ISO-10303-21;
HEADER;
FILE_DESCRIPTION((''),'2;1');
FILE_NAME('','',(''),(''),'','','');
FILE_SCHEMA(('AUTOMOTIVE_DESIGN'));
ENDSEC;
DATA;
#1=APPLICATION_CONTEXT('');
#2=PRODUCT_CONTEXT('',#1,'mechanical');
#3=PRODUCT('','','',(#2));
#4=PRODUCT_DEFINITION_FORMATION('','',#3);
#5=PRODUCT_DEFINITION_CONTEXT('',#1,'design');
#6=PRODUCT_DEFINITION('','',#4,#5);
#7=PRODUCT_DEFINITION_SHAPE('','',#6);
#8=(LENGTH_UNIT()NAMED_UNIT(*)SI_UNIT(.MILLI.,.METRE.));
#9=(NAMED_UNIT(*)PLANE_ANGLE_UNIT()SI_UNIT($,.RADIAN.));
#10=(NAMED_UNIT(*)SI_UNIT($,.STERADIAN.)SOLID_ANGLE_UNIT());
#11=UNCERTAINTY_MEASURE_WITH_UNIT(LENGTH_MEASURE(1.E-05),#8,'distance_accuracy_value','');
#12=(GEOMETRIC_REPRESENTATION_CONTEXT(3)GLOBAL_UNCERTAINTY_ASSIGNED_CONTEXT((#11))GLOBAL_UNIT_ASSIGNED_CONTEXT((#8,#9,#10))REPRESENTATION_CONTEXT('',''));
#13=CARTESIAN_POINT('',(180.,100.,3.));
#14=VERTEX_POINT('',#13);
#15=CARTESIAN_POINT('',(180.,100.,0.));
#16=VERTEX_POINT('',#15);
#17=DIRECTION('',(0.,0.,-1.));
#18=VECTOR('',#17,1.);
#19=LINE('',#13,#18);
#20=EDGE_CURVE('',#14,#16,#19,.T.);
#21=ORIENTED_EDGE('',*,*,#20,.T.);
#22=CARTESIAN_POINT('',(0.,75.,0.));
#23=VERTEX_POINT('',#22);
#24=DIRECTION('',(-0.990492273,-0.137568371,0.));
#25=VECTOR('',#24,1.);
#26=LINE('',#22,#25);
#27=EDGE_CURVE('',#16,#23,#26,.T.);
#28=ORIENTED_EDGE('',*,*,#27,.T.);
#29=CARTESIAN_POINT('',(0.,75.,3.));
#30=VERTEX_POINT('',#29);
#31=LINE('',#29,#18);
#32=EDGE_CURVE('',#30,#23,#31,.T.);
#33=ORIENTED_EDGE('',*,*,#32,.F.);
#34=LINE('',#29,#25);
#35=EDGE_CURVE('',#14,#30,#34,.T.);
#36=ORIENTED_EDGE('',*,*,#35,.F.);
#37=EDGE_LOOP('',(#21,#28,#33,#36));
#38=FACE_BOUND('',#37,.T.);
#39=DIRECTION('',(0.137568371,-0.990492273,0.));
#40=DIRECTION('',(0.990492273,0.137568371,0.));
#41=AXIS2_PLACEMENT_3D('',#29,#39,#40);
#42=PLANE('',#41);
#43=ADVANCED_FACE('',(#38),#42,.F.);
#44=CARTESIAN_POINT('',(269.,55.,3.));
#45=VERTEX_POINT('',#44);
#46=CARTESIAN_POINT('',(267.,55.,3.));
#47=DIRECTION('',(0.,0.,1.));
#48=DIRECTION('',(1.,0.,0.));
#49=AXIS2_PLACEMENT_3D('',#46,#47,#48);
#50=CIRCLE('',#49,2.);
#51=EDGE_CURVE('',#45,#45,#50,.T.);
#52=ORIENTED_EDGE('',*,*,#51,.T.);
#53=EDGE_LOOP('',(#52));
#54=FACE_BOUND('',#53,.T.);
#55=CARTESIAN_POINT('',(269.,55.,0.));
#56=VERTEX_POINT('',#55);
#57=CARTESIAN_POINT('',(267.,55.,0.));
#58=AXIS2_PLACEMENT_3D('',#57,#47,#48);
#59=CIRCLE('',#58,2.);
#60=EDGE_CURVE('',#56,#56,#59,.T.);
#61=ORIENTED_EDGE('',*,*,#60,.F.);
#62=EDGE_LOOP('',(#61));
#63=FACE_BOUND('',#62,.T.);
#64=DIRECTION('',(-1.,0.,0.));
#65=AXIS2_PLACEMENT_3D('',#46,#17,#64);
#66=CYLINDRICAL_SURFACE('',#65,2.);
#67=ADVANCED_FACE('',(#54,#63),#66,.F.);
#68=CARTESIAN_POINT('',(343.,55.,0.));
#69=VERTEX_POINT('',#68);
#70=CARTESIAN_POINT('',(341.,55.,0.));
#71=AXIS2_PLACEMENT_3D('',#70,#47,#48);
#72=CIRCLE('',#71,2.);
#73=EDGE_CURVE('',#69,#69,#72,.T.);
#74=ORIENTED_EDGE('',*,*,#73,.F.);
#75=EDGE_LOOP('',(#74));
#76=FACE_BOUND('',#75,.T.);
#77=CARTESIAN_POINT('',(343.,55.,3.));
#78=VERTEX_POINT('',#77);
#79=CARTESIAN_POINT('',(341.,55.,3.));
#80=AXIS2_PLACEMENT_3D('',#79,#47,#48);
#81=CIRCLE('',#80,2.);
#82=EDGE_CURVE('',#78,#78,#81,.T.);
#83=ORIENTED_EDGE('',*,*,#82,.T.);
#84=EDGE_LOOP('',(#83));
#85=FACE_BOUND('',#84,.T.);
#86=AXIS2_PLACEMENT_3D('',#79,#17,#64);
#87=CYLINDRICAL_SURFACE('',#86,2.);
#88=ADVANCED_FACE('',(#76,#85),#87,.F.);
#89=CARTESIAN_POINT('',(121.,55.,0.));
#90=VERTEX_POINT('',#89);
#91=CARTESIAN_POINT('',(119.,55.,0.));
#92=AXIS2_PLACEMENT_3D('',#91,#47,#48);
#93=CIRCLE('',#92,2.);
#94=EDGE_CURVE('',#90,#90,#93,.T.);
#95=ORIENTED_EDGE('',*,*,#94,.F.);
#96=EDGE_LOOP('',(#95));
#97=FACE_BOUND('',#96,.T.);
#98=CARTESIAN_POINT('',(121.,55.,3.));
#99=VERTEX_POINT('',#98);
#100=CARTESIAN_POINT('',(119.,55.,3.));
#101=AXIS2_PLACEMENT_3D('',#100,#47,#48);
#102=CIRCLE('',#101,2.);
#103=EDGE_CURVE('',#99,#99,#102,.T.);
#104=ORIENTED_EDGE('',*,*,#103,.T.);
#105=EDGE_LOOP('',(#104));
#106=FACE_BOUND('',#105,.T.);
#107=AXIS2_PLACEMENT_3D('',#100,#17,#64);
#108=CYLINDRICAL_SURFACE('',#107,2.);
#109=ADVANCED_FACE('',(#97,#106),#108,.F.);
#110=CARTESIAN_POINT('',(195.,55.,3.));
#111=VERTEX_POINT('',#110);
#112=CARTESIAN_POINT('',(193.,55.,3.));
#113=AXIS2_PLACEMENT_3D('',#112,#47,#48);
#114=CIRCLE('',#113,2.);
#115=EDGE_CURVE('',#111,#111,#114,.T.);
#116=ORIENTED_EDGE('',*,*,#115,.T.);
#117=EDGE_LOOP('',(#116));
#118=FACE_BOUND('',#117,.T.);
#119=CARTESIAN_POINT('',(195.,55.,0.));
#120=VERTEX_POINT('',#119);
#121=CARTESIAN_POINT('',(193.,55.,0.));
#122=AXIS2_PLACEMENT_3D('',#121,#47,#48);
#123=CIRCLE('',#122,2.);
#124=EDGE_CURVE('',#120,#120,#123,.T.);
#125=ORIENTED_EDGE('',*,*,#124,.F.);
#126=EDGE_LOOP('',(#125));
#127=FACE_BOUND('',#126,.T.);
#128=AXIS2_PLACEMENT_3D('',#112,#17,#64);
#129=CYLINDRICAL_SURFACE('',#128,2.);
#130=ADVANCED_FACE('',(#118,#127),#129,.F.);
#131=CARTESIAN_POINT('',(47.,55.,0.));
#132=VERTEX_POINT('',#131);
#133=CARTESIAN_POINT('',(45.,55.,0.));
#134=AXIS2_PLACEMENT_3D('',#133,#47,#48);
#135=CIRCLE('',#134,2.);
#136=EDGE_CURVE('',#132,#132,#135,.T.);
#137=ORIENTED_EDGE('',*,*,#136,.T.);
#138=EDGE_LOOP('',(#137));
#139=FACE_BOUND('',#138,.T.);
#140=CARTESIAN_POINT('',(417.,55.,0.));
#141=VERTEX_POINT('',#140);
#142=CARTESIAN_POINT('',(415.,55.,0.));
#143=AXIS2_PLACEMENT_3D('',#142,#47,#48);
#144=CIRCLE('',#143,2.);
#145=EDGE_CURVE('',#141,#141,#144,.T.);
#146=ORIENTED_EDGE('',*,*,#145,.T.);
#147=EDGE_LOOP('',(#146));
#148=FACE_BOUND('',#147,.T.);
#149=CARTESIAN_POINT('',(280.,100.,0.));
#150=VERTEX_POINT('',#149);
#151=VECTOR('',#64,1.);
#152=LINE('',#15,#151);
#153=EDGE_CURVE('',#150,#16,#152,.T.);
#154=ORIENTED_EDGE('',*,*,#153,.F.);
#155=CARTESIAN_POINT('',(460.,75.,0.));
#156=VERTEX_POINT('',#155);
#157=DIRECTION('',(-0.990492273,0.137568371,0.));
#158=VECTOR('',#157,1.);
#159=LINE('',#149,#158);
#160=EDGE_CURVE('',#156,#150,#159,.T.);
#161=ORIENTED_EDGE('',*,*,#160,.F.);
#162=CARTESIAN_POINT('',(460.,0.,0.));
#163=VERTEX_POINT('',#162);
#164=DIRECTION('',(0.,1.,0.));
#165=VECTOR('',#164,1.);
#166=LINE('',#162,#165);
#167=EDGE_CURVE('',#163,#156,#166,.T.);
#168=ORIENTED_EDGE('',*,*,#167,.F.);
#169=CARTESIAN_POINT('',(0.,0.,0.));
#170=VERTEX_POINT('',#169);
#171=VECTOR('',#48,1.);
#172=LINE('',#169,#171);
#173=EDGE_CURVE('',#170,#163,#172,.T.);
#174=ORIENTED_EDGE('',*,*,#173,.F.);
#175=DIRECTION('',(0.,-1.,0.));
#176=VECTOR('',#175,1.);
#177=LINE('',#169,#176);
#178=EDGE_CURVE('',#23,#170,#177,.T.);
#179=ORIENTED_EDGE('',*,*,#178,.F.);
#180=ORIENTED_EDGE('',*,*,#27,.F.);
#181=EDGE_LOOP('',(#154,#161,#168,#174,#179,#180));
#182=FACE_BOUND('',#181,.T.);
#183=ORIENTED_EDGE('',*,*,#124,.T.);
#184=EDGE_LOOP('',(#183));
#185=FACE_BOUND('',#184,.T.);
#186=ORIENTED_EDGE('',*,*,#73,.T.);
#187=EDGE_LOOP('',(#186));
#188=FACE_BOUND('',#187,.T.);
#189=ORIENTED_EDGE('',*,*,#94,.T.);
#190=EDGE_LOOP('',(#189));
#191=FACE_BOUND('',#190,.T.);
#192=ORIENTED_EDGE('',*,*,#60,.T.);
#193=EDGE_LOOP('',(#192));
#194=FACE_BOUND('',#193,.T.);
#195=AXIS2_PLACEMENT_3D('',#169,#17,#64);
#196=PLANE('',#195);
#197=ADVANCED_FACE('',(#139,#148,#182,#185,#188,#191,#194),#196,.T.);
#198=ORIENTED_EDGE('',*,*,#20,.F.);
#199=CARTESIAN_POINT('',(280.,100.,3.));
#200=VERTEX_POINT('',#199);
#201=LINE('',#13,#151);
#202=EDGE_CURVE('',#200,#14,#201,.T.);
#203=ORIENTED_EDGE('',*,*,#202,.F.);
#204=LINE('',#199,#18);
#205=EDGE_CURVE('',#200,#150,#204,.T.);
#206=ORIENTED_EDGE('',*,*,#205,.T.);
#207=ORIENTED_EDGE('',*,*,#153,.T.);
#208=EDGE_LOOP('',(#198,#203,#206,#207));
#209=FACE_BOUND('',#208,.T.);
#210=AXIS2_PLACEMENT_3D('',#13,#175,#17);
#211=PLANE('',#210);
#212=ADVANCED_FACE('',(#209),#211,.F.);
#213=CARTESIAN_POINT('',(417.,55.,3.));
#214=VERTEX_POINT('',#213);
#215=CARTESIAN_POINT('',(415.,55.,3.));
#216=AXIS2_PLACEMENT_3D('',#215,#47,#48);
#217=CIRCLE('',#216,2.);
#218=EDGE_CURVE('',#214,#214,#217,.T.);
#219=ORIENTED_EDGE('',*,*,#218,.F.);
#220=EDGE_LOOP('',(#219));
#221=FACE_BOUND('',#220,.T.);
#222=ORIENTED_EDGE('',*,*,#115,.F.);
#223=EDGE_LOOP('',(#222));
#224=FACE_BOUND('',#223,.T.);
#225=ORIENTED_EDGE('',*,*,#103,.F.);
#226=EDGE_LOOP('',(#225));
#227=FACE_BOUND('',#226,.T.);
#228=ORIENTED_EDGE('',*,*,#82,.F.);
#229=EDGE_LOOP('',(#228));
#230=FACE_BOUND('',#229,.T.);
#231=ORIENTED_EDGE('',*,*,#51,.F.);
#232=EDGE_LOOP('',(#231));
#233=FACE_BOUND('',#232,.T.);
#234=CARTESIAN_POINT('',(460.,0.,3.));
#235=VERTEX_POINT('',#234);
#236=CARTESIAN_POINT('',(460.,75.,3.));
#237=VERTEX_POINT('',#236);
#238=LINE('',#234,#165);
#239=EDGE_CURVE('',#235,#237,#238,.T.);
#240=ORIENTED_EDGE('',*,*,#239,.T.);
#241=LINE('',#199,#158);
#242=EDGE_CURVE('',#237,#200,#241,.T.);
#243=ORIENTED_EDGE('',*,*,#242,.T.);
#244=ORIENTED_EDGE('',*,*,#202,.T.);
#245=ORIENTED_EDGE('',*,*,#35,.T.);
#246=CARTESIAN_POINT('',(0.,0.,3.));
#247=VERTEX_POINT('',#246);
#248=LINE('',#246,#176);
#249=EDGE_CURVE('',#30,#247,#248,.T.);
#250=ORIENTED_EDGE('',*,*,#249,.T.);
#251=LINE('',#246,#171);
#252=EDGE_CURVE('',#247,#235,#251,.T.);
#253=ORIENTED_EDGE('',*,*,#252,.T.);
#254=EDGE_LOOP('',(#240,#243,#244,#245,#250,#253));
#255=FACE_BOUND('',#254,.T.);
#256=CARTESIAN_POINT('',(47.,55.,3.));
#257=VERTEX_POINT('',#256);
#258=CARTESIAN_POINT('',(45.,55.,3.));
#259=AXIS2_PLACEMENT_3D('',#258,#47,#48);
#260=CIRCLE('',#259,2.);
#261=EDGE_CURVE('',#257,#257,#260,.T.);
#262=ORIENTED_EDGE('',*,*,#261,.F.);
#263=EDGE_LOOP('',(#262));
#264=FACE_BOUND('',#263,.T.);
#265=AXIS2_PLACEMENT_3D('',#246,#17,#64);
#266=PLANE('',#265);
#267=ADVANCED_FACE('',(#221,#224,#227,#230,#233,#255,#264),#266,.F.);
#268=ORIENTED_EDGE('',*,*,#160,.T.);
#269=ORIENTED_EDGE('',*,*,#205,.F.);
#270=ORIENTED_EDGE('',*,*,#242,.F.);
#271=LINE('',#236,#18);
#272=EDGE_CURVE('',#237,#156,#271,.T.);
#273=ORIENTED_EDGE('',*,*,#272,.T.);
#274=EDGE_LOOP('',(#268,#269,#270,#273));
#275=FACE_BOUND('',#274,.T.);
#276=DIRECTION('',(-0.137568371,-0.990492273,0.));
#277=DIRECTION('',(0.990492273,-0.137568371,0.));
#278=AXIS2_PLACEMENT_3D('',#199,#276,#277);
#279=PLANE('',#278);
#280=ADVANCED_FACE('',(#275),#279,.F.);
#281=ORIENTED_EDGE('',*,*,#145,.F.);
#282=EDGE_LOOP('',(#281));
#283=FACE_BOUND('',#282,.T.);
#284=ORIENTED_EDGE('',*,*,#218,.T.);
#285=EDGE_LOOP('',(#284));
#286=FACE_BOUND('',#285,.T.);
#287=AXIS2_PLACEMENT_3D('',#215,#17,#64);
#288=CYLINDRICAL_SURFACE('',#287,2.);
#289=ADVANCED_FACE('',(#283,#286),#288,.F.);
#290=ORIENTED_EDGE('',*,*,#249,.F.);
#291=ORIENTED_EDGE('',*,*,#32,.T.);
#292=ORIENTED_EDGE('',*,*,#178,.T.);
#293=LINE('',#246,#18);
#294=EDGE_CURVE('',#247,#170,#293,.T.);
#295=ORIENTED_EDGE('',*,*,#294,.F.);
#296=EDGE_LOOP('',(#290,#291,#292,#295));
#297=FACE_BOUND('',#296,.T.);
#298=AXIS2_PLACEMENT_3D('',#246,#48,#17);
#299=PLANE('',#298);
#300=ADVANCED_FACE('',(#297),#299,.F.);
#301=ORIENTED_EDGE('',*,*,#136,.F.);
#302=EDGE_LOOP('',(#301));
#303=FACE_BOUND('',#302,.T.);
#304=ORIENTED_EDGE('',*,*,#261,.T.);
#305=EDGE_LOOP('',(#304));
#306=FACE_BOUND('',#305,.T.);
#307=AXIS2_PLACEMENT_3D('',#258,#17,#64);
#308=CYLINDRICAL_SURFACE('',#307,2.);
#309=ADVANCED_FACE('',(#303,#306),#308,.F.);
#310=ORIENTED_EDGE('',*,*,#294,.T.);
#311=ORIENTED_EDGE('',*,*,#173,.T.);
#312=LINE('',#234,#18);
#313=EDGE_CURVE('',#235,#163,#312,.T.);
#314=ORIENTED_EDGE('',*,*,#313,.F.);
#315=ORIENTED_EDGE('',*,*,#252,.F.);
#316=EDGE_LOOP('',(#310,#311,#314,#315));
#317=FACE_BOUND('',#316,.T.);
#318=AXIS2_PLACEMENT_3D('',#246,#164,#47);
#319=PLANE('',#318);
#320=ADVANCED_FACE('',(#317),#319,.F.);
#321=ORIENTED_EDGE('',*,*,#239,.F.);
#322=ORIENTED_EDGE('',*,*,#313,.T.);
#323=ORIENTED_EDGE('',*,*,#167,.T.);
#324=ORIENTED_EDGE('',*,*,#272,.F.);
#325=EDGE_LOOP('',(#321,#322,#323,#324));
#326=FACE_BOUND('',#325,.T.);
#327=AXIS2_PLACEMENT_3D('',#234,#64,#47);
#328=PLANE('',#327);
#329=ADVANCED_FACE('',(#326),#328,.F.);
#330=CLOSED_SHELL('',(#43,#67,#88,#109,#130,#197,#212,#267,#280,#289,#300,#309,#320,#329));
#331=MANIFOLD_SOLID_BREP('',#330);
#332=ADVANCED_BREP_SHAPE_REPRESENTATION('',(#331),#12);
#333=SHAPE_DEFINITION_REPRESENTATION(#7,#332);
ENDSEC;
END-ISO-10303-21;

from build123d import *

# Parameters (mm, degrees)
IZIM1_R                     = 2
Y_KSEKLIK_EKSTR_ZYON1_DEPTH = 3


with BuildPart() as part:
    # Çizim1 → Yükseklik-Ekstrüzyon1 (new body)
    with BuildSketch(Plane.XY):
        Polygon((0, 0), (460, 0), (460, 75), (280, 100), (180, 100), (0, 75), align=None)
        with Locations((45, 55)):
            Circle(IZIM1_R, mode=Mode.SUBTRACT)
        with Locations((119, 55)):
            Circle(IZIM1_R, mode=Mode.SUBTRACT)
        with Locations((193, 55)):
            Circle(IZIM1_R, mode=Mode.SUBTRACT)
        with Locations((267, 55)):
            Circle(IZIM1_R, mode=Mode.SUBTRACT)
        with Locations((341, 55)):
            Circle(IZIM1_R, mode=Mode.SUBTRACT)
        with Locations((415, 55)):
            Circle(IZIM1_R, mode=Mode.SUBTRACT)
    extrude(amount=Y_KSEKLIK_EKSTR_ZYON1_DEPTH)


solid = part.part
